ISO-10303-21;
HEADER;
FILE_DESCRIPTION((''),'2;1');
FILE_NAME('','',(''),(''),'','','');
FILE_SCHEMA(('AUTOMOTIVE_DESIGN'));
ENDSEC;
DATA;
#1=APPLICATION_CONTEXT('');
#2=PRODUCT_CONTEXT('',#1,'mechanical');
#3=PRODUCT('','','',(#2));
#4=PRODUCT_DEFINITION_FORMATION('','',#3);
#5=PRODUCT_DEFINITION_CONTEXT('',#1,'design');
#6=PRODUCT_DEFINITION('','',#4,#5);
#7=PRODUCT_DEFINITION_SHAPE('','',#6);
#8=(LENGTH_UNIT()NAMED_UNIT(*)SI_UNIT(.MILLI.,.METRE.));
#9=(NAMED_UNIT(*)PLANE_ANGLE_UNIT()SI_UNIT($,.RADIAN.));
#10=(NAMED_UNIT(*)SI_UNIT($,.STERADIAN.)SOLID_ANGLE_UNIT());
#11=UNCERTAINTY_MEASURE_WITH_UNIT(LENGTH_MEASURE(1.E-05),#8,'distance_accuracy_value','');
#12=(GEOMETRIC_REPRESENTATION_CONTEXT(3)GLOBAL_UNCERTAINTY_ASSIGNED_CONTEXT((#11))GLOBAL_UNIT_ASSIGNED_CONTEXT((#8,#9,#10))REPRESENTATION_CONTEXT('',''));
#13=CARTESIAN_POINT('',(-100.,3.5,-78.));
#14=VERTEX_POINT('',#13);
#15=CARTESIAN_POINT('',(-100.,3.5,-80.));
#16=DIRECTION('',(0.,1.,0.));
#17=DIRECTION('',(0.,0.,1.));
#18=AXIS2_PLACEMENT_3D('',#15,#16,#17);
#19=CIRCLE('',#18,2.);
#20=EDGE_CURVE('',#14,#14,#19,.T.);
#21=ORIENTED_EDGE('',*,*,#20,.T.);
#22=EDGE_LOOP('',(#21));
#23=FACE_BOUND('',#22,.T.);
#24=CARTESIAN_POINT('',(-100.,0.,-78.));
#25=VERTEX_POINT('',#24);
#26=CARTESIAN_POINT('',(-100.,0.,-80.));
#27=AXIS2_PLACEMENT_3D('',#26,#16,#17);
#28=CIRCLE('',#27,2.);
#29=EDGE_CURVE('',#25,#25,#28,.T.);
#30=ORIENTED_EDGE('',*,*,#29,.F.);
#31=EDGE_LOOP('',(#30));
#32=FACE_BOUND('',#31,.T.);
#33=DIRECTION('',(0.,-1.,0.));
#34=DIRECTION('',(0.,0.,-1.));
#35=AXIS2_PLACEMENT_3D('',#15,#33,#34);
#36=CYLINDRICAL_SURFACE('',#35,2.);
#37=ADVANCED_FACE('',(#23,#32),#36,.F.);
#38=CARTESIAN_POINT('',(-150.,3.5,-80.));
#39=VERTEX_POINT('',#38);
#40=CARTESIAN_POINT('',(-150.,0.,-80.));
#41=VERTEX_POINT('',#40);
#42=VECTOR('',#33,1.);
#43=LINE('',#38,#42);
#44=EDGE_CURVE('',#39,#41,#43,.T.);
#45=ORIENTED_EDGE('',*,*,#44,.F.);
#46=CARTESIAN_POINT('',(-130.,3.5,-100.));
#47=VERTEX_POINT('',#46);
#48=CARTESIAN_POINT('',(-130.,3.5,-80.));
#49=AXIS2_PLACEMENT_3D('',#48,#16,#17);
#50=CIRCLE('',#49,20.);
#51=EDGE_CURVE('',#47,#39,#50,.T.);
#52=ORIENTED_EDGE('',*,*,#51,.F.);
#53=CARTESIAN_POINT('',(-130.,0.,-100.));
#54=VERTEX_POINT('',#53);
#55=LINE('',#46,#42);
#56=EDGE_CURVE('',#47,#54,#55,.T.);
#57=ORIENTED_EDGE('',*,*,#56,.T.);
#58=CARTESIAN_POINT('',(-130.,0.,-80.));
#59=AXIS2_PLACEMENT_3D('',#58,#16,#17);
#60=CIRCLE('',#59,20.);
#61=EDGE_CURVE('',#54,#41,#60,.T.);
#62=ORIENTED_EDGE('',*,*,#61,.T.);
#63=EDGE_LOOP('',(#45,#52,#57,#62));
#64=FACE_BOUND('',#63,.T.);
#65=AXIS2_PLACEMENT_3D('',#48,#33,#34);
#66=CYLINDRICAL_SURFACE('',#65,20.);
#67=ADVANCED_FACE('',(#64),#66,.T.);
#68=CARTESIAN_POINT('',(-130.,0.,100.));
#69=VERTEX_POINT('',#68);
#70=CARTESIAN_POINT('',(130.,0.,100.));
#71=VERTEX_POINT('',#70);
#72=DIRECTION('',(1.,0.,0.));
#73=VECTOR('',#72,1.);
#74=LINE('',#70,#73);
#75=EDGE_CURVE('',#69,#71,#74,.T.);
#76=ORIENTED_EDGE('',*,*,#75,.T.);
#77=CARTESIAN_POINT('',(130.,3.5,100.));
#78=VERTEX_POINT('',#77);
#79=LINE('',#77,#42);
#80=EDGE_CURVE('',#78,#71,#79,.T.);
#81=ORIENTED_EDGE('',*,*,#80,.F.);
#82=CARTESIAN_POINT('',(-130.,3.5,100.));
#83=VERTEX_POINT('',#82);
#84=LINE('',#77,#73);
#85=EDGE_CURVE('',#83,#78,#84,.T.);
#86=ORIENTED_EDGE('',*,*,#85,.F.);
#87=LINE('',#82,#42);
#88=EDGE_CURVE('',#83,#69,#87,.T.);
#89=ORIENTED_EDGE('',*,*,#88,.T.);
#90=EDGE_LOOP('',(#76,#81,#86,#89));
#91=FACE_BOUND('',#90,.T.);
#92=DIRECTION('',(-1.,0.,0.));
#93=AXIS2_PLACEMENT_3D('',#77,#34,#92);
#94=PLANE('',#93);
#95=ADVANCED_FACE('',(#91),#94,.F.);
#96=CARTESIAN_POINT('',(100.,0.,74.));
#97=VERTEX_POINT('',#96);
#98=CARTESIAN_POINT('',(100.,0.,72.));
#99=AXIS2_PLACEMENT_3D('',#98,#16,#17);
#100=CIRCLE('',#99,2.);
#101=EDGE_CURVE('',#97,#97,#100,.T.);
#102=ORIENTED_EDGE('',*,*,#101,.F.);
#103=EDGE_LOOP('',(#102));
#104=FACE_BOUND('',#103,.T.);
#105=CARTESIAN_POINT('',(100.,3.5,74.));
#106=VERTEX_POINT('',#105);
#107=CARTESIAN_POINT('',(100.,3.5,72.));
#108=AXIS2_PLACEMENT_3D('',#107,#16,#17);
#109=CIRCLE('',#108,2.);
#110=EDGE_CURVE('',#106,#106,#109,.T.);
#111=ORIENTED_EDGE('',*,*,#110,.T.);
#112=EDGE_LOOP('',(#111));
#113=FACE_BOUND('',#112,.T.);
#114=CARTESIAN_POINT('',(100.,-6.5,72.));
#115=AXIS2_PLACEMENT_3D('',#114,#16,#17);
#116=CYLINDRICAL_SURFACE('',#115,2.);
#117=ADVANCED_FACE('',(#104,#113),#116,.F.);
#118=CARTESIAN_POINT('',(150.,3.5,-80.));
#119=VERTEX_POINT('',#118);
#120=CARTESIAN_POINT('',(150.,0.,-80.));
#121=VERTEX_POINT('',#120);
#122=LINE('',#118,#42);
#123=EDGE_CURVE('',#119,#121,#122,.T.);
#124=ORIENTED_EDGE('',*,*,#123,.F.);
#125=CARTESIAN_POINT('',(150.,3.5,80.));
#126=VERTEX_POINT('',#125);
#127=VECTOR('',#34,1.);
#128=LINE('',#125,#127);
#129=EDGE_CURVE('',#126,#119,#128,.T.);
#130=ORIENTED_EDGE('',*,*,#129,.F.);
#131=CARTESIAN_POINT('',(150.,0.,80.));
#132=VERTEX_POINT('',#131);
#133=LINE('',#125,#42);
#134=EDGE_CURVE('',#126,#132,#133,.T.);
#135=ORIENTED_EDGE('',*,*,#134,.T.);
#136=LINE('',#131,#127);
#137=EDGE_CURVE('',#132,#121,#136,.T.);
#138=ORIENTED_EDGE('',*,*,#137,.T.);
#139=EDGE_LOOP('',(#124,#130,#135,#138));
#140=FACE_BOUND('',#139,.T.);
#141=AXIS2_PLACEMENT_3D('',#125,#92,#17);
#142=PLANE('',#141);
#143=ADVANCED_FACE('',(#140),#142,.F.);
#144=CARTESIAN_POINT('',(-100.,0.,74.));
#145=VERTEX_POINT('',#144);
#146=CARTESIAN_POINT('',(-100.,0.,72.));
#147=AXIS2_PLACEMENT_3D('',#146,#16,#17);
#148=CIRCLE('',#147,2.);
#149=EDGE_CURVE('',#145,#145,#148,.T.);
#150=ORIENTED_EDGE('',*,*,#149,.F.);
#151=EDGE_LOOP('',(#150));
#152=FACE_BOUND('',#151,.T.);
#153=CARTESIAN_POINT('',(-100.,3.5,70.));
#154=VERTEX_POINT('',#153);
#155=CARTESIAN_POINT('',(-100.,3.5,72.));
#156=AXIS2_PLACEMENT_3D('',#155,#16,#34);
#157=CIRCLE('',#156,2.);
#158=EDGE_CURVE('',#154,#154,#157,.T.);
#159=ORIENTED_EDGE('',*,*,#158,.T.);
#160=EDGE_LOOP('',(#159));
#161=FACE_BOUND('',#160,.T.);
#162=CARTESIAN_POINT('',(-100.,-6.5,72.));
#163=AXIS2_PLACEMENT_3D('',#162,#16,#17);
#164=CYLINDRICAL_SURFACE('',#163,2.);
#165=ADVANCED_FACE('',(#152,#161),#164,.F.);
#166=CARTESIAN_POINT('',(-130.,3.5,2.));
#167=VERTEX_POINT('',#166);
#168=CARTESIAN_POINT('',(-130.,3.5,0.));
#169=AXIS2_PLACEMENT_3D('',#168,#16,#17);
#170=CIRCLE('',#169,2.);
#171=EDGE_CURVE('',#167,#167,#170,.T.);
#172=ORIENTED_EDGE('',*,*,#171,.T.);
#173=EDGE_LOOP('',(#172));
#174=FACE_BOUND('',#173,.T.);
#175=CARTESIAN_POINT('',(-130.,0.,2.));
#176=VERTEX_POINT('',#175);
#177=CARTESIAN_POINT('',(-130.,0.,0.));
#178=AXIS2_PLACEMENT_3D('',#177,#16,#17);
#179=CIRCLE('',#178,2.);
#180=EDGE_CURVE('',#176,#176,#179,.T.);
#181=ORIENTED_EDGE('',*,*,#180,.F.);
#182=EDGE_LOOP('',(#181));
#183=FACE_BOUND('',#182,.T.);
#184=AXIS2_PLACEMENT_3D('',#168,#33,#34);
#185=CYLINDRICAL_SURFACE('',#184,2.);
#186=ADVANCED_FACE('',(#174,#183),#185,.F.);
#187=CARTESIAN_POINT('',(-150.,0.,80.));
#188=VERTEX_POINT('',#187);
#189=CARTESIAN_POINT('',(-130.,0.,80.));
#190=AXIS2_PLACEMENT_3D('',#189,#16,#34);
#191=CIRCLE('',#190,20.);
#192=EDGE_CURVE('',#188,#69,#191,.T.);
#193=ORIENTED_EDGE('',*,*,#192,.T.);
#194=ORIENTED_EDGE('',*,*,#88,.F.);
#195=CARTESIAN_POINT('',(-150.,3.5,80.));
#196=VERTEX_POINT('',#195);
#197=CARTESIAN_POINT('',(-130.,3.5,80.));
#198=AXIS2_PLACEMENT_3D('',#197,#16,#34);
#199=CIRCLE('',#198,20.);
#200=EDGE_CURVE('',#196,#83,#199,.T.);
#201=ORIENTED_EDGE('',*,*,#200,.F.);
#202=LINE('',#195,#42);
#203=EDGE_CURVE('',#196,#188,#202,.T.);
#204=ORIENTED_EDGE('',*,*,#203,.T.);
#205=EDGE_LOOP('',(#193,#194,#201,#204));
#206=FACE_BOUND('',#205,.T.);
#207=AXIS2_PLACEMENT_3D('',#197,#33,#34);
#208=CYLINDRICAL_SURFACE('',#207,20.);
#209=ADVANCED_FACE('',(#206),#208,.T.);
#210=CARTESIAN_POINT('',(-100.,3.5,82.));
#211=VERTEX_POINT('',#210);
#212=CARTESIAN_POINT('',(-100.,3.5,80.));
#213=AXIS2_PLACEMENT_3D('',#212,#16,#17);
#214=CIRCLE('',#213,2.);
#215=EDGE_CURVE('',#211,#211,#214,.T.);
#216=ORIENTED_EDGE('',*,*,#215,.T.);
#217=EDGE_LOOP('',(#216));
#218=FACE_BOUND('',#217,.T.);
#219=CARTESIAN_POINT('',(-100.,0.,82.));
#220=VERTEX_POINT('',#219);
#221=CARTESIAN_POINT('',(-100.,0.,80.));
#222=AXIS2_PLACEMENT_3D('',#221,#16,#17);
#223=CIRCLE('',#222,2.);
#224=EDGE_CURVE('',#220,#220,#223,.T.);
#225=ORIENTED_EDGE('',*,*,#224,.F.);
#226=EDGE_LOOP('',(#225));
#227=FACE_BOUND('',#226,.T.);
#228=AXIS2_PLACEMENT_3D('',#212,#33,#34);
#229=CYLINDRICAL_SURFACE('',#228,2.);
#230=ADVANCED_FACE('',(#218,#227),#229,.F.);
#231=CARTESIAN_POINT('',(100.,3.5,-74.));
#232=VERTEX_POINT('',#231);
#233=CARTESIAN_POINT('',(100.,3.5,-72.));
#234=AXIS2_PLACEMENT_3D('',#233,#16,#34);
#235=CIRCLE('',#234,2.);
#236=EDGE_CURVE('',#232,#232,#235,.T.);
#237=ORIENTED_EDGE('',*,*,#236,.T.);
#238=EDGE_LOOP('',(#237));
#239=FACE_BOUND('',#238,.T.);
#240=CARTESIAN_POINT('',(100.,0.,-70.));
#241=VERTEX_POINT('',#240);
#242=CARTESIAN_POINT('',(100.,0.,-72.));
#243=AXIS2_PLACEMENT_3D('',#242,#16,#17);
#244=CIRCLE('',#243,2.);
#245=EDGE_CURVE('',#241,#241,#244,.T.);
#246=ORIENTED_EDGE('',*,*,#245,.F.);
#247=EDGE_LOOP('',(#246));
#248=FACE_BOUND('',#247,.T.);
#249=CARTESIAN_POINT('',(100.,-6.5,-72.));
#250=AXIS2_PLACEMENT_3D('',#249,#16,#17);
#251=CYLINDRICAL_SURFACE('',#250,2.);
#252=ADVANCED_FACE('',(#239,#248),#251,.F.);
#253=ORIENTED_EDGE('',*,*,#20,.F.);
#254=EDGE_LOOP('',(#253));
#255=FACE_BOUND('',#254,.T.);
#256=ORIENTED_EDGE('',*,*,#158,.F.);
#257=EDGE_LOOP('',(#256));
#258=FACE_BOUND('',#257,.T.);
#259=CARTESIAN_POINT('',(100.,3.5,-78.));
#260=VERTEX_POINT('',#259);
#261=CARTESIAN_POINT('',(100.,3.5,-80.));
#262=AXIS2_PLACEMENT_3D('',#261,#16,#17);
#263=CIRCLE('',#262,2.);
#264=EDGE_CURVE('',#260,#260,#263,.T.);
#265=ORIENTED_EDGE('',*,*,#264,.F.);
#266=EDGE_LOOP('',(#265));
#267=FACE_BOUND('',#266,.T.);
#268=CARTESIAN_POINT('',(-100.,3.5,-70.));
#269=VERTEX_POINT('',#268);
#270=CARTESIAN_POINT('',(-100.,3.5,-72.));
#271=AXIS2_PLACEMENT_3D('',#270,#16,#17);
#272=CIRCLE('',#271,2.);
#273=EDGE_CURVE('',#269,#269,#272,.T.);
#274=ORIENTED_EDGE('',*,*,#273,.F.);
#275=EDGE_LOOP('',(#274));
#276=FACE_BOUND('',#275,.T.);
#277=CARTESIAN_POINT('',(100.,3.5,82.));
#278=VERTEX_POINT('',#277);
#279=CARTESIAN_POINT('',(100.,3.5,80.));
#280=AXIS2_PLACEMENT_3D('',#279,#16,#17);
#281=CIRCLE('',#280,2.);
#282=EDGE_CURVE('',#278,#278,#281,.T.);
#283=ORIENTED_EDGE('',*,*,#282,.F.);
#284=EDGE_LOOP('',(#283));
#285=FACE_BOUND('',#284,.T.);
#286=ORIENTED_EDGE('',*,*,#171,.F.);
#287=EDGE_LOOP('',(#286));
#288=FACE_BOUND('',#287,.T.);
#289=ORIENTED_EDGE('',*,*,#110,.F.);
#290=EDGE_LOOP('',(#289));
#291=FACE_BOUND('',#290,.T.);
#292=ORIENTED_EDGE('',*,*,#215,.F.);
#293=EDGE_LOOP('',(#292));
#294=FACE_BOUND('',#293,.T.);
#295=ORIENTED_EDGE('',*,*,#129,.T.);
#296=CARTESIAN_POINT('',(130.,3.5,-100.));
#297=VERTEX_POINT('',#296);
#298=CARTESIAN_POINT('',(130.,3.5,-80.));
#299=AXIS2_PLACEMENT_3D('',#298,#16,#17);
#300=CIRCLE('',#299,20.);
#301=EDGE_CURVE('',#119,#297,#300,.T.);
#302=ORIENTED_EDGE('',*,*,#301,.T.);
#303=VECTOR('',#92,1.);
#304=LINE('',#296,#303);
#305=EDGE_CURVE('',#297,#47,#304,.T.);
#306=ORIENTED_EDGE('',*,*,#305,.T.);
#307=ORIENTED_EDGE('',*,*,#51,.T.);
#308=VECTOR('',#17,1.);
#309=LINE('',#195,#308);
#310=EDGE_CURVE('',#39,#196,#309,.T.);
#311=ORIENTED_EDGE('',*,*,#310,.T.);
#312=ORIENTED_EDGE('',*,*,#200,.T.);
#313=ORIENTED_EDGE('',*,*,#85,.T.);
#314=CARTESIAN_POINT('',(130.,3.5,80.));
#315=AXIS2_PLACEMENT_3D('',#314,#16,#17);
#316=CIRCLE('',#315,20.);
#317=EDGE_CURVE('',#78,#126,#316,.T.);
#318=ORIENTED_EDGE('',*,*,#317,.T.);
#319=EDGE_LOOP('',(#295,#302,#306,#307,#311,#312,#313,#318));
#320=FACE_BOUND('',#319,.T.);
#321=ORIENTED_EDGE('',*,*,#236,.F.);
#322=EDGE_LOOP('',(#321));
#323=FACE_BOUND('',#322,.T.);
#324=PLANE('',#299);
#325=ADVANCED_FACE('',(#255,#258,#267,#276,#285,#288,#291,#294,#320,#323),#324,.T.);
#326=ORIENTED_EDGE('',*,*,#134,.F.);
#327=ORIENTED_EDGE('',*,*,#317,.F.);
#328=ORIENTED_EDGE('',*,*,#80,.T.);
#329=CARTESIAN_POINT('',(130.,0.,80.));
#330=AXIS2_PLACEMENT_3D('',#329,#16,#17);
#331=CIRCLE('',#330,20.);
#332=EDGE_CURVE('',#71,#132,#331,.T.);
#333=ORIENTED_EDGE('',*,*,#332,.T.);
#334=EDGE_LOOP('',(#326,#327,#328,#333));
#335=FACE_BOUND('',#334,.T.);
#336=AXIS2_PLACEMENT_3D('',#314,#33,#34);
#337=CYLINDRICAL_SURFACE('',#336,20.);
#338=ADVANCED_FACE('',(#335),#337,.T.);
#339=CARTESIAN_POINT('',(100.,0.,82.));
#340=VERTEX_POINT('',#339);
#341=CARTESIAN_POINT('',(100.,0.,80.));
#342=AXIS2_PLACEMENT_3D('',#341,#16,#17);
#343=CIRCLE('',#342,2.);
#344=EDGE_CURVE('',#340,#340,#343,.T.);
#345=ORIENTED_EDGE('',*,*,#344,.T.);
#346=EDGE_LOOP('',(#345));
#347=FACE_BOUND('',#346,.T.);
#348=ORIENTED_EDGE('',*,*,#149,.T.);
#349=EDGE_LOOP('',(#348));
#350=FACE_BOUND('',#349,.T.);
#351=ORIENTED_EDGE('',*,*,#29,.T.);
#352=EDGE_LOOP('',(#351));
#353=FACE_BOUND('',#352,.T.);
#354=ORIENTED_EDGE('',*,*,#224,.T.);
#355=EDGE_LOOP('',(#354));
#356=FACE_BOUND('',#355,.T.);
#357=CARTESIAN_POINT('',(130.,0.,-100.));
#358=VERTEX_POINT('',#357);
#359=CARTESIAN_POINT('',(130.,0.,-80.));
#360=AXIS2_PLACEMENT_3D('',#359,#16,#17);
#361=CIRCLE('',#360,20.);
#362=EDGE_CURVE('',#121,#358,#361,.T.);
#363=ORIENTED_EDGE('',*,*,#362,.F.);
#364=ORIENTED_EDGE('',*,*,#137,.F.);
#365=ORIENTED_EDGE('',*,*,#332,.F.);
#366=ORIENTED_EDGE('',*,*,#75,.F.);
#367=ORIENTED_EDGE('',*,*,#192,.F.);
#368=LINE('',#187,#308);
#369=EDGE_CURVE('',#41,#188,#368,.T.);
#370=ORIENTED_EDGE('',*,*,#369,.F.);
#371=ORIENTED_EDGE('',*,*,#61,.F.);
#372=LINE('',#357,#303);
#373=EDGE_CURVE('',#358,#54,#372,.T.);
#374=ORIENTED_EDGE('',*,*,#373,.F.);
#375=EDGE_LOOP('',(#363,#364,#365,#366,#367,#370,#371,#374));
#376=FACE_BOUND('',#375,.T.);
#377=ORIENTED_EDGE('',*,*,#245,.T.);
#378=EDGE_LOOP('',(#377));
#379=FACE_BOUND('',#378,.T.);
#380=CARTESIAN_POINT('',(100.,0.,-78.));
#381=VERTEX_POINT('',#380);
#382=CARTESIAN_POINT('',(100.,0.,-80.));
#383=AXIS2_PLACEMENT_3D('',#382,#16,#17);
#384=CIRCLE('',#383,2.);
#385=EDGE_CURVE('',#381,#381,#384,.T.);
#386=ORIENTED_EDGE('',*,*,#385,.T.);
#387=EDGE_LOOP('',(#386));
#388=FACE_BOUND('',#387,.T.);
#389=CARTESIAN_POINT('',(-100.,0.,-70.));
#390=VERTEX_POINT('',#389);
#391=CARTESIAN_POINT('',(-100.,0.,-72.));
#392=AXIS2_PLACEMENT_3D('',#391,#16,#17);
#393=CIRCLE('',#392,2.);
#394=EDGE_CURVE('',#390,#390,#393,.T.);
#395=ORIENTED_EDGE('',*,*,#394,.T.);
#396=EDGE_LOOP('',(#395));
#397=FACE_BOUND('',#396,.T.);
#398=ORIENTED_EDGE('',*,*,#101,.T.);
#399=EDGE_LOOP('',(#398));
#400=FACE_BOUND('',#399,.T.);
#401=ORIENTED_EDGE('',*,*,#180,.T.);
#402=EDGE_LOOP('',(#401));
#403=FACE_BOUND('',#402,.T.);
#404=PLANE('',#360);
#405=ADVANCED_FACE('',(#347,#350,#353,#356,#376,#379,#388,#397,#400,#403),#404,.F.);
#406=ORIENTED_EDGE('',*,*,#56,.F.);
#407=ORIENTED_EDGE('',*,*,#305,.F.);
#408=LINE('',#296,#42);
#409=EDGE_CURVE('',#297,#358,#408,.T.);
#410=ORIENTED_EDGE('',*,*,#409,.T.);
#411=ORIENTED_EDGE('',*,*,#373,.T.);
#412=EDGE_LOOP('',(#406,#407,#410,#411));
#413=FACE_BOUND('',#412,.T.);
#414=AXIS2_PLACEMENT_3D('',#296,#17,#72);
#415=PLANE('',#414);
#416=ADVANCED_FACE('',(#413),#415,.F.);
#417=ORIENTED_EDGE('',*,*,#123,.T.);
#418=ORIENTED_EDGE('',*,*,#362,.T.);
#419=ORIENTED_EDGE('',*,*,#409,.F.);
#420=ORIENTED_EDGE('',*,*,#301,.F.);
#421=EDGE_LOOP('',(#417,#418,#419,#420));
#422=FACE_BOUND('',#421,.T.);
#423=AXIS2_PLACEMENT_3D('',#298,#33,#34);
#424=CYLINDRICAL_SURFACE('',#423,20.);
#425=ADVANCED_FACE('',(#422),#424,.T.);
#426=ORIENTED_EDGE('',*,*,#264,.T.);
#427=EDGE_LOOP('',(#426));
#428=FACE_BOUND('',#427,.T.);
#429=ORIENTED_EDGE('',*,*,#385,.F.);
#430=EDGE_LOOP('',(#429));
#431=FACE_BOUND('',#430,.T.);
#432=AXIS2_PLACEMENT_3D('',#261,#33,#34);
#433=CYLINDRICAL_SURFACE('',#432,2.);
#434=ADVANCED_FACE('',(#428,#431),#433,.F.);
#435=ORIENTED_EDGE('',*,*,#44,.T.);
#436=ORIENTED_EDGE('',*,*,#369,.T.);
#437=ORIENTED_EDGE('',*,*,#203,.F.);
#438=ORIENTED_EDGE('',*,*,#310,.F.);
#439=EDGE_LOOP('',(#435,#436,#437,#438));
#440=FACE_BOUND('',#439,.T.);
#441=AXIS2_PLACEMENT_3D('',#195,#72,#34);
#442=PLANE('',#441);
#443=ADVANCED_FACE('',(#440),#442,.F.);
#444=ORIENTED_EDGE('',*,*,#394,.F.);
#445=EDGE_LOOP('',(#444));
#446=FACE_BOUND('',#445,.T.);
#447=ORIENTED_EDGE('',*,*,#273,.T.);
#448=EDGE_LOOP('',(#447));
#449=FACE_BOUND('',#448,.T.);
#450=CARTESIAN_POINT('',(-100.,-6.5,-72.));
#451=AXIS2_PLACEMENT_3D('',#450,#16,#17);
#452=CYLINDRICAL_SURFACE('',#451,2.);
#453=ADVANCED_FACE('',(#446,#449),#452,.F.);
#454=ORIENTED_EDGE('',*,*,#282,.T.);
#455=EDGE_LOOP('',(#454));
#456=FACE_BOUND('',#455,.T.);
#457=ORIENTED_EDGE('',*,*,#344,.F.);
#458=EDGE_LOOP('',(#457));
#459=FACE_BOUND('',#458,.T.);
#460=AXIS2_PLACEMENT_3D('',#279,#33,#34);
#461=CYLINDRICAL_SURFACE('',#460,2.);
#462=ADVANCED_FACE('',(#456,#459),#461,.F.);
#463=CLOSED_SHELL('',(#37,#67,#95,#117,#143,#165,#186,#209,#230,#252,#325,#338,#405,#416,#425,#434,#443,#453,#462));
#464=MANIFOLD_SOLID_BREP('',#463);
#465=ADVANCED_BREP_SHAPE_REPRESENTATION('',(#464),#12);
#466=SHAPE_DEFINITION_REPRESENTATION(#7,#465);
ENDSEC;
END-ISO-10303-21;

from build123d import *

# Parameters (mm, degrees)
SKETCH1_R           = 2
BOSS_EXTRUDE1_DEPTH = 3.5
SKETCH3_R           = 2
CUT_EXTRUDE2_DEPTH  = 10


with BuildPart() as part:
    # Sketch1 → Boss-Extrude1 (new body)
    with BuildSketch(Plane(origin=(0, 0, 0), x_dir=(1, 0, 0), z_dir=(0, 1, 0))):
        with BuildLine():
            Line((130, -100), (-130, -100))
            ThreePointArc((-130, -100), (-144.142135624, -94.142135624), (-150, -80))
            Line((-150, -80), (-150, 80))
            ThreePointArc((-150, 80), (-144.142135624, 94.142135624), (-130, 100))
            Line((-130, 100), (130, 100))
            ThreePointArc((130, 100), (144.142135624, 94.142135624), (150, 80))
            Line((150, 80), (150, -80))
            ThreePointArc((150, -80), (144.142135624, -94.142135624), (130, -100))
        make_face()
        with Locations(Location((-100, 80, 0), (0, 0, 270))):
            Circle(SKETCH1_R, mode=Mode.SUBTRACT)
        with Locations(Location((100, 80, 0), (0, 0, 270))):
            Circle(SKETCH1_R, mode=Mode.SUBTRACT)
        with Locations(Location((100, -80, 0), (0, 0, 270))):
            Circle(SKETCH1_R, mode=Mode.SUBTRACT)
        with Locations(Location((-100, -80, 0), (0, 0, 270))):
            Circle(SKETCH1_R, mode=Mode.SUBTRACT)
        with Locations(Location((-130, 0, 0), (0, 0, 270))):
            Circle(SKETCH1_R, mode=Mode.SUBTRACT)
    extrude(amount=BOSS_EXTRUDE1_DEPTH)

    # Sketch3 → Cut-Extrude2 (cut)
    with BuildSketch(Plane(origin=(0, 3.5, 0), x_dir=(1, 0, 0), z_dir=(0, 1, 0))):
        with Locations(Location((-100, 72, 0), (0, 0, 270))):
            Circle(SKETCH3_R)
        with Locations(Location((-100, -72, 0), (0, 0, 270))):
            Circle(SKETCH3_R)
        with Locations(Location((100, -72, 0), (0, 0, 270))):
            Circle(SKETCH3_R)
        with Locations(Location((100, 72, 0), (0, 0, 270))):
            Circle(SKETCH3_R)
    extrude(amount=-CUT_EXTRUDE2_DEPTH, mode=Mode.SUBTRACT)


solid = part.part
